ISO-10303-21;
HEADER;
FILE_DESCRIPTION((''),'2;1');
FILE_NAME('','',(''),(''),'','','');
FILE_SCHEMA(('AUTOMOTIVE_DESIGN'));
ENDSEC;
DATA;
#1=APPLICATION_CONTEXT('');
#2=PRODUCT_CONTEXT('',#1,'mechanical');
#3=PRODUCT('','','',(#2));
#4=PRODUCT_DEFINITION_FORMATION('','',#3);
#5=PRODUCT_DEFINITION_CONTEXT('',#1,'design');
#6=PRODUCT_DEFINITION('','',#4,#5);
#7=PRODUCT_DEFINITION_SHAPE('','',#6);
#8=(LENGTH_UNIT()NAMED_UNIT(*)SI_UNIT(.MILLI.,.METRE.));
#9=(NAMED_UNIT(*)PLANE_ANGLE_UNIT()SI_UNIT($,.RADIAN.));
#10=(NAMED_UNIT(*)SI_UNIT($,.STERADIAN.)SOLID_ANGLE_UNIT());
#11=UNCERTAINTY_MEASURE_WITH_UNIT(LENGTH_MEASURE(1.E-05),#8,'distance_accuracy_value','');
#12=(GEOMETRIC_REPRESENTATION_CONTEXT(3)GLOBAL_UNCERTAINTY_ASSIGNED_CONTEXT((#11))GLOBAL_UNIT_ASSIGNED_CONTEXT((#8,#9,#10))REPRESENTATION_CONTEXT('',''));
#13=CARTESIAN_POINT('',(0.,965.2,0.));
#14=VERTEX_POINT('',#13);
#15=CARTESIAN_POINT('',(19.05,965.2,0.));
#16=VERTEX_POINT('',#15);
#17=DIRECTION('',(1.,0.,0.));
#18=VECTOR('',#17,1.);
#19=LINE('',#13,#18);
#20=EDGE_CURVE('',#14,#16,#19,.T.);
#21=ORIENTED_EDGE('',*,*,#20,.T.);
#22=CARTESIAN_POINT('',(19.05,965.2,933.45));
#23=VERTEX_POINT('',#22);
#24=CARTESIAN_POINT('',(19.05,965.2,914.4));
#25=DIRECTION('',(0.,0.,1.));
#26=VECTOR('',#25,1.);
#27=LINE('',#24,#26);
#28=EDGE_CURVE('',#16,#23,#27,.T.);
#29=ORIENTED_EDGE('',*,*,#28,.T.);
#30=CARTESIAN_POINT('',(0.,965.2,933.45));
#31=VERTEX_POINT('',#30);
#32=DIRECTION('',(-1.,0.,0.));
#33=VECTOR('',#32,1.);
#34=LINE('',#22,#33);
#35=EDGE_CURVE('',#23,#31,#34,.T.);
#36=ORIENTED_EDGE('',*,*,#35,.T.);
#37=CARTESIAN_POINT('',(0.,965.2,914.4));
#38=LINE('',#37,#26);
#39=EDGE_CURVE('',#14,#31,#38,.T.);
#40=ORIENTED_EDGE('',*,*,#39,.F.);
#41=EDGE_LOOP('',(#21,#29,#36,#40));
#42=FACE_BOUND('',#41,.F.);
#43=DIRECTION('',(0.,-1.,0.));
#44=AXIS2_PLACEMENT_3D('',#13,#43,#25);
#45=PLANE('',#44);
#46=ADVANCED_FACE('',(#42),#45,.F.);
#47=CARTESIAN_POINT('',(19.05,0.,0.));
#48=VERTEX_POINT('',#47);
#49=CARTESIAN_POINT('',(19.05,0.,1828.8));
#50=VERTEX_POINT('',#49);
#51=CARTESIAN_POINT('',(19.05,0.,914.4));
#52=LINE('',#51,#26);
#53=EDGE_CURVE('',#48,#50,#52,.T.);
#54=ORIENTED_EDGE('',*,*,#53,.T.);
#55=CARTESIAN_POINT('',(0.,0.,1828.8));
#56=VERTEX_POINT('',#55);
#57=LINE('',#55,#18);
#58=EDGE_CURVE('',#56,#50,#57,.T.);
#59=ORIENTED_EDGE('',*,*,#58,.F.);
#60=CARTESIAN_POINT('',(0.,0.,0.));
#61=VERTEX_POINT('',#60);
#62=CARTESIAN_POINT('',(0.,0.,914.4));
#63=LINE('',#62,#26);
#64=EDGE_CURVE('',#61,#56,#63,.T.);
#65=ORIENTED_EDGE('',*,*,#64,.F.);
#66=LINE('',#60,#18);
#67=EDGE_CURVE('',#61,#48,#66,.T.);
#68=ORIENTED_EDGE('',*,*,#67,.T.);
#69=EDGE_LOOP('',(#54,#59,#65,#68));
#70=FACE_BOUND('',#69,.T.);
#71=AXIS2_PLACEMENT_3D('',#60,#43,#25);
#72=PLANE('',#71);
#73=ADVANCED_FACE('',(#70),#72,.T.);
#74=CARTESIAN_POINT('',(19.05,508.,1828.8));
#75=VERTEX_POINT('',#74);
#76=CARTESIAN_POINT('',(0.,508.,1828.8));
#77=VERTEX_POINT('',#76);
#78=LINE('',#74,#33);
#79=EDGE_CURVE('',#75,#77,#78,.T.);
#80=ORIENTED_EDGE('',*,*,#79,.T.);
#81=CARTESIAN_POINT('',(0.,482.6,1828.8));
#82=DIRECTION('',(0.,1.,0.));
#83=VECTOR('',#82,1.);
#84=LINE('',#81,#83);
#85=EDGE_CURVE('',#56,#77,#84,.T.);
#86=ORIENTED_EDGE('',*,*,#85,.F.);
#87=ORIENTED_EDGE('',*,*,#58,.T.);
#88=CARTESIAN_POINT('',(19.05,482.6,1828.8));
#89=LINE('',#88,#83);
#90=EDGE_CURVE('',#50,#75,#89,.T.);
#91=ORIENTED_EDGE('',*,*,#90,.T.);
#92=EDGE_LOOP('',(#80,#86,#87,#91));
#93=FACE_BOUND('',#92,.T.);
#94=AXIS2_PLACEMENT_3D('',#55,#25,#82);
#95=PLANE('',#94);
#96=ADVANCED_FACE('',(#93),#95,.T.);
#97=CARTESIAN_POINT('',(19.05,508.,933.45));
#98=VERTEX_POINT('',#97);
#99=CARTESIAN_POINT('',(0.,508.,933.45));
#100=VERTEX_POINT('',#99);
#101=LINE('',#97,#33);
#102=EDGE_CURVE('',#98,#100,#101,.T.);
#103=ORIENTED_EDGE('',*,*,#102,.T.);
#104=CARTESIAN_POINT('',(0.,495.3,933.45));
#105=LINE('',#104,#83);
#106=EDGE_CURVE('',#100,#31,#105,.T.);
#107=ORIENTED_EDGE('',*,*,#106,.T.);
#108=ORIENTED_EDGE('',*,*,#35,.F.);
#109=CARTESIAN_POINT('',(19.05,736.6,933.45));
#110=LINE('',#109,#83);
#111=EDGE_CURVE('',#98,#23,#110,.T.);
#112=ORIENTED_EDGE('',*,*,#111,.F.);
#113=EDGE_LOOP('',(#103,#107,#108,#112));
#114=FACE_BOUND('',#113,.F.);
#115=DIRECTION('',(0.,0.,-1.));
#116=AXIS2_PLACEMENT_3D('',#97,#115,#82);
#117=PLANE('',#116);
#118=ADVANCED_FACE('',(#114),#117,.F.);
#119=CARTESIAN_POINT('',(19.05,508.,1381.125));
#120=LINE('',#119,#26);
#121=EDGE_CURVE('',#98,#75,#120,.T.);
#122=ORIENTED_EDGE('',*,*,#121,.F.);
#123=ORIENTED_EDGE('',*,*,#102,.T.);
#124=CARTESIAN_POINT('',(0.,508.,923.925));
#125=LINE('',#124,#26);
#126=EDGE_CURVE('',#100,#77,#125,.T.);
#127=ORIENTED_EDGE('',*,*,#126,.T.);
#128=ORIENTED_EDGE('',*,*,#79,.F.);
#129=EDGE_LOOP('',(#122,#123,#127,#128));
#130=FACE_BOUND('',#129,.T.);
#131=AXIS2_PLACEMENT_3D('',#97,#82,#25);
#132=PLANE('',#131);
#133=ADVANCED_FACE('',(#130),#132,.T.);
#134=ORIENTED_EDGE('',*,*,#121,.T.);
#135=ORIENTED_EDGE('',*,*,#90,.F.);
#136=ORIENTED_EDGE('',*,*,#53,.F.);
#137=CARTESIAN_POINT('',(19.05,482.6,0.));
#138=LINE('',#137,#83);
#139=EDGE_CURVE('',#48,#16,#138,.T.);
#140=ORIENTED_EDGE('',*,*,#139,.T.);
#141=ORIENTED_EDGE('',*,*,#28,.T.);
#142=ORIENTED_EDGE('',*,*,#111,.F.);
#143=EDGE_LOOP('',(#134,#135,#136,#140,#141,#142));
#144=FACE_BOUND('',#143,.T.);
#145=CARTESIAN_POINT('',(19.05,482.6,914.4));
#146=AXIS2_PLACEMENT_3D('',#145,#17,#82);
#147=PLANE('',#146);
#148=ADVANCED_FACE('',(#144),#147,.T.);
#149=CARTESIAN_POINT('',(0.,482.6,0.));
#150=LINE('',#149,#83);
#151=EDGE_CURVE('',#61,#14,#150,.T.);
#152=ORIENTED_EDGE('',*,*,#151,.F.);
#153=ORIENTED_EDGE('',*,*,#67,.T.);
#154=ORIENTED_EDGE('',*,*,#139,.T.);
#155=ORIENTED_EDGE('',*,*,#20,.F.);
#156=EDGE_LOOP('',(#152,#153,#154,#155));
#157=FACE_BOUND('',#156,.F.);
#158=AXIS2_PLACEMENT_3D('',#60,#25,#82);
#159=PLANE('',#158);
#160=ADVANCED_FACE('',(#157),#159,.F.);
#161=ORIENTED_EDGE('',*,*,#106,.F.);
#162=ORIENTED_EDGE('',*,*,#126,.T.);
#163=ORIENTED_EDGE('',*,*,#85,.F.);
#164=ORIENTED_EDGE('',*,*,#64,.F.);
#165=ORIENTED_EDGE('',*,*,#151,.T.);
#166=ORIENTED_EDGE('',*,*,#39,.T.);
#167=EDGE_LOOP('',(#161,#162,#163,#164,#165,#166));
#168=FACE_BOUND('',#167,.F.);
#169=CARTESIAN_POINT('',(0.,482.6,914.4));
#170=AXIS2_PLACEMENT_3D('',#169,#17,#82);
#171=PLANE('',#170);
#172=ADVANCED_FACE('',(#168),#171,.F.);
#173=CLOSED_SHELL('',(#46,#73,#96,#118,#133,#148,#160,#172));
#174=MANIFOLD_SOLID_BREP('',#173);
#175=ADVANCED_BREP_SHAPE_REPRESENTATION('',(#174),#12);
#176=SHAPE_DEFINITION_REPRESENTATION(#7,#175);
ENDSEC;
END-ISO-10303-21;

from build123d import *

# Parameters (mm, degrees)
F0_W     = 965.2
F0_H     = 1828.8
F1_DEPTH = 19.05
F2_W     = 457.2
F2_H     = 895.35
F3_DEPTH = 19.051


with BuildPart() as f1:
    # F0 (on Right) → F1 (new body)
    with BuildSketch(Plane.YZ):
        with Locations((482.6, 914.4)):
            Rectangle(F0_W, F0_H)
    extrude(amount=F1_DEPTH)

    # F2 (on face) → F3 (cut, through all)
    with BuildSketch(Plane.YZ.offset(19.05)):
        with Locations((736.6, 1381.125)):
            Rectangle(F2_W, F2_H)
    extrude(amount=-F3_DEPTH, mode=Mode.SUBTRACT)


solid = f1.part
